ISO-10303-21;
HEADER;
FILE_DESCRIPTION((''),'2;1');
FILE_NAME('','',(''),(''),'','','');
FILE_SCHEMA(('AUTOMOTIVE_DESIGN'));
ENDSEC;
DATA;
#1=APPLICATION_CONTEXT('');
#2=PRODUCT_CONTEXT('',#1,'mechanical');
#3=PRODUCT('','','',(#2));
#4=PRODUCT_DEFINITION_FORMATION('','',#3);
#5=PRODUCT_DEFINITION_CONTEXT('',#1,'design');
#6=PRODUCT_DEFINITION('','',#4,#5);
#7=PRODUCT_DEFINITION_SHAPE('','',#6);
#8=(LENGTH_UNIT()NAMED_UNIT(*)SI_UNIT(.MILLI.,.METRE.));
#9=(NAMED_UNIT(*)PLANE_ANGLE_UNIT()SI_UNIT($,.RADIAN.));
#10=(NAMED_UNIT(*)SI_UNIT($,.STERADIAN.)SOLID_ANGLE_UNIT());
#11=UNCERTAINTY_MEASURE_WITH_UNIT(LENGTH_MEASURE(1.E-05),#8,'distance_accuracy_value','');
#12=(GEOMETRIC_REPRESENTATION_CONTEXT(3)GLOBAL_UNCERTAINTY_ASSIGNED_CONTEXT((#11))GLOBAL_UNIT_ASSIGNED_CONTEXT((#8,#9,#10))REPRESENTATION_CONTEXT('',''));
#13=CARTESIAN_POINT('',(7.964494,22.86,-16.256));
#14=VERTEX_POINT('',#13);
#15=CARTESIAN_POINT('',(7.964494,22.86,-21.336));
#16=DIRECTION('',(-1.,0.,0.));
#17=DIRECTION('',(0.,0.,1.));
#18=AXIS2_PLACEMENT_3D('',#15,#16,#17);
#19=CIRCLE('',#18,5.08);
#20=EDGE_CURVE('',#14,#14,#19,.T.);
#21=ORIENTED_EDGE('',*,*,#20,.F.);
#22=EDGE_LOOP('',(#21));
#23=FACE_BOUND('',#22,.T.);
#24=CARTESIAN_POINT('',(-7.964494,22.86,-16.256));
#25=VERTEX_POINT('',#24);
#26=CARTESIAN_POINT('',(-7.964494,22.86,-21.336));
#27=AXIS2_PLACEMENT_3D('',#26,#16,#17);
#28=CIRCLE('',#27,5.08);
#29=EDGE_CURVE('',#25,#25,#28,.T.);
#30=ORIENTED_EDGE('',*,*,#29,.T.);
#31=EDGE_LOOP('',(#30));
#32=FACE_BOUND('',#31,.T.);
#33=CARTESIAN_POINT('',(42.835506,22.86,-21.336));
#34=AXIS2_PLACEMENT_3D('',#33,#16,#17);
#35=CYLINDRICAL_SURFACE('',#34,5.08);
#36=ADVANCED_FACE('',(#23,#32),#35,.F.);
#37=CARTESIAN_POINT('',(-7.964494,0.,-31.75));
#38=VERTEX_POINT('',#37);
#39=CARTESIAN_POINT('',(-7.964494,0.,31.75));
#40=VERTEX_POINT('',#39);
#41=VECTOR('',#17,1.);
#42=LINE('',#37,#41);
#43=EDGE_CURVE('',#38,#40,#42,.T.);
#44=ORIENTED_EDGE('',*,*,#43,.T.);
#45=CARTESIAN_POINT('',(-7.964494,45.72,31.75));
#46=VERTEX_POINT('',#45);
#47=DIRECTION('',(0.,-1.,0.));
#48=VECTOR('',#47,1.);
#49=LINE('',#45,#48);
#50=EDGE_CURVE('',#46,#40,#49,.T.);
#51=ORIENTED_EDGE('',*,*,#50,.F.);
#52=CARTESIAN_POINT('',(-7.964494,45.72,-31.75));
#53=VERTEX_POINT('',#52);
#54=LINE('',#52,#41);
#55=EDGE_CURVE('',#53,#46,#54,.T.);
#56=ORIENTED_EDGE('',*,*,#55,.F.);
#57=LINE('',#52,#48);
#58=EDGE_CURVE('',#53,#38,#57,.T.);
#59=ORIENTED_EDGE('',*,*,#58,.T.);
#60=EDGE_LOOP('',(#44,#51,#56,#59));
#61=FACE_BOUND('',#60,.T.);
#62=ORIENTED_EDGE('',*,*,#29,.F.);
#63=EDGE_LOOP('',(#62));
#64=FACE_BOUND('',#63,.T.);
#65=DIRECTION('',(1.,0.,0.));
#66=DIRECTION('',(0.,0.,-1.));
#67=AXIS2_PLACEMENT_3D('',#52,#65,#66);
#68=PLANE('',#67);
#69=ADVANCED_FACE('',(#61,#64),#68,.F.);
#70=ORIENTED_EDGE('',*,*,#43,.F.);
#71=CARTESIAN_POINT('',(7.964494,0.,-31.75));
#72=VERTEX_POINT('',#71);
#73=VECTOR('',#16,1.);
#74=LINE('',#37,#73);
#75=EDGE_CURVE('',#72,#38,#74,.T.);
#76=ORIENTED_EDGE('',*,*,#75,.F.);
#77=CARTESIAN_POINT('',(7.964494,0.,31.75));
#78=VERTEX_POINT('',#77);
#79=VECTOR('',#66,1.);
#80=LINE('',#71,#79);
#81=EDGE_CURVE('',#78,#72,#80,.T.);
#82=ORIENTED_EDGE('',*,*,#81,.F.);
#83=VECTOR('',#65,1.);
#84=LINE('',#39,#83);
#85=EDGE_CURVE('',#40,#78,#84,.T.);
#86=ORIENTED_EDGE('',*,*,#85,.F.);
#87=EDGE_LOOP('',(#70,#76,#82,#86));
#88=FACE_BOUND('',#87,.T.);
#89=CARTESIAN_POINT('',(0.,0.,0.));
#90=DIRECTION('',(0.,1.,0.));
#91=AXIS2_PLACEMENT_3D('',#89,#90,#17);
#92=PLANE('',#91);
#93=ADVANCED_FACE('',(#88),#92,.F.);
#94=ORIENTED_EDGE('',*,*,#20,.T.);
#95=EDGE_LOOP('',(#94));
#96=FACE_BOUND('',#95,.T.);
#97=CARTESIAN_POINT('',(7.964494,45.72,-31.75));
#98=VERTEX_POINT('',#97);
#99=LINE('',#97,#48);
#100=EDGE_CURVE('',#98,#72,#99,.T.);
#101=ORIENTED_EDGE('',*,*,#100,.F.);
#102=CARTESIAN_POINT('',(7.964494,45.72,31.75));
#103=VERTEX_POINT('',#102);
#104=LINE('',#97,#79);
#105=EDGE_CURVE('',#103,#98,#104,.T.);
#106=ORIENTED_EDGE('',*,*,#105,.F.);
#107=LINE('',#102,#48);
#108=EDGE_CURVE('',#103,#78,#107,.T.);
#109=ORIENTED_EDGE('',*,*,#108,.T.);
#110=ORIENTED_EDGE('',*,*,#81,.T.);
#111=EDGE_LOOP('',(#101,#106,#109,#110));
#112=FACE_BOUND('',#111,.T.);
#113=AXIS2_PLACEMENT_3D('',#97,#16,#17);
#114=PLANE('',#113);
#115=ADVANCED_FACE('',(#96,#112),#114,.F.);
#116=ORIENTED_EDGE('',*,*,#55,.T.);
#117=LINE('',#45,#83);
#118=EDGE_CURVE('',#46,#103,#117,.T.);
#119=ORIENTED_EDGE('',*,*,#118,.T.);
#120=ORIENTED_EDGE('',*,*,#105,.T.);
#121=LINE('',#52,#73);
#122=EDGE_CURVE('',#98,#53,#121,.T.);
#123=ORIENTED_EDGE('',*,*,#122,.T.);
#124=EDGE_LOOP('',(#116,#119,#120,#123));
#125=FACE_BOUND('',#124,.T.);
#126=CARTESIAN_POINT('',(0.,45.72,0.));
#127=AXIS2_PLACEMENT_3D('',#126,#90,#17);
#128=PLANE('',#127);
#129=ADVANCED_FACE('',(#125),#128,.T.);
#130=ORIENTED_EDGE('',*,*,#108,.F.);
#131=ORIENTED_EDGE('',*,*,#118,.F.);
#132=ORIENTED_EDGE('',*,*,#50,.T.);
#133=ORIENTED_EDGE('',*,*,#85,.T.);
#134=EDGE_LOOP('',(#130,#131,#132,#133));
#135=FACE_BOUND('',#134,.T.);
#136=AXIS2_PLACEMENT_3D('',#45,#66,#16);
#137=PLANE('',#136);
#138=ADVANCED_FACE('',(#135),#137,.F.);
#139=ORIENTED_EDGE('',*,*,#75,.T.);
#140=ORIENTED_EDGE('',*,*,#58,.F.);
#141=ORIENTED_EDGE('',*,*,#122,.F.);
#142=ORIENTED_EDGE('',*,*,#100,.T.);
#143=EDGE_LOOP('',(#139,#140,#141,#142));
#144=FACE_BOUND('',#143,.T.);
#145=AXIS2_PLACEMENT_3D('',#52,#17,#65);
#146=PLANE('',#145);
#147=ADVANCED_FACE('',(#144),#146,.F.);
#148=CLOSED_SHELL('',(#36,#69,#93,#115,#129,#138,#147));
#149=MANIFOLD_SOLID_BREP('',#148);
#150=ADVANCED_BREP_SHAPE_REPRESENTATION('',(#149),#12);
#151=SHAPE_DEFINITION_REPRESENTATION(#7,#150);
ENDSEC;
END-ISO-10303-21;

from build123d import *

# Parameters (mm, degrees)
SKETCH1_W           = 15.928987192
SKETCH1_H           = 63.5
BOSS_EXTRUDE1_DEPTH = 45.72
SKETCH2_R           = 5.08
CUT_EXTRUDE1_DEPTH  = 50.8


with BuildPart() as part:
    # Sketch1 → Boss-Extrude1 (new body)
    with BuildSketch(Plane(origin=(0, 0, 0), x_dir=(1, 0, 0), z_dir=(0, 1, 0))):
        Rectangle(SKETCH1_W, SKETCH1_H)
    extrude(amount=BOSS_EXTRUDE1_DEPTH)

    # Sketch2 → Cut-Extrude1 (cut)
    with BuildSketch(Plane.ZY.offset(7.964493596)):
        with Locations((-21.336, 22.86)):
            Circle(SKETCH2_R)
    extrude(amount=-CUT_EXTRUDE1_DEPTH, mode=Mode.SUBTRACT)


solid = part.part
